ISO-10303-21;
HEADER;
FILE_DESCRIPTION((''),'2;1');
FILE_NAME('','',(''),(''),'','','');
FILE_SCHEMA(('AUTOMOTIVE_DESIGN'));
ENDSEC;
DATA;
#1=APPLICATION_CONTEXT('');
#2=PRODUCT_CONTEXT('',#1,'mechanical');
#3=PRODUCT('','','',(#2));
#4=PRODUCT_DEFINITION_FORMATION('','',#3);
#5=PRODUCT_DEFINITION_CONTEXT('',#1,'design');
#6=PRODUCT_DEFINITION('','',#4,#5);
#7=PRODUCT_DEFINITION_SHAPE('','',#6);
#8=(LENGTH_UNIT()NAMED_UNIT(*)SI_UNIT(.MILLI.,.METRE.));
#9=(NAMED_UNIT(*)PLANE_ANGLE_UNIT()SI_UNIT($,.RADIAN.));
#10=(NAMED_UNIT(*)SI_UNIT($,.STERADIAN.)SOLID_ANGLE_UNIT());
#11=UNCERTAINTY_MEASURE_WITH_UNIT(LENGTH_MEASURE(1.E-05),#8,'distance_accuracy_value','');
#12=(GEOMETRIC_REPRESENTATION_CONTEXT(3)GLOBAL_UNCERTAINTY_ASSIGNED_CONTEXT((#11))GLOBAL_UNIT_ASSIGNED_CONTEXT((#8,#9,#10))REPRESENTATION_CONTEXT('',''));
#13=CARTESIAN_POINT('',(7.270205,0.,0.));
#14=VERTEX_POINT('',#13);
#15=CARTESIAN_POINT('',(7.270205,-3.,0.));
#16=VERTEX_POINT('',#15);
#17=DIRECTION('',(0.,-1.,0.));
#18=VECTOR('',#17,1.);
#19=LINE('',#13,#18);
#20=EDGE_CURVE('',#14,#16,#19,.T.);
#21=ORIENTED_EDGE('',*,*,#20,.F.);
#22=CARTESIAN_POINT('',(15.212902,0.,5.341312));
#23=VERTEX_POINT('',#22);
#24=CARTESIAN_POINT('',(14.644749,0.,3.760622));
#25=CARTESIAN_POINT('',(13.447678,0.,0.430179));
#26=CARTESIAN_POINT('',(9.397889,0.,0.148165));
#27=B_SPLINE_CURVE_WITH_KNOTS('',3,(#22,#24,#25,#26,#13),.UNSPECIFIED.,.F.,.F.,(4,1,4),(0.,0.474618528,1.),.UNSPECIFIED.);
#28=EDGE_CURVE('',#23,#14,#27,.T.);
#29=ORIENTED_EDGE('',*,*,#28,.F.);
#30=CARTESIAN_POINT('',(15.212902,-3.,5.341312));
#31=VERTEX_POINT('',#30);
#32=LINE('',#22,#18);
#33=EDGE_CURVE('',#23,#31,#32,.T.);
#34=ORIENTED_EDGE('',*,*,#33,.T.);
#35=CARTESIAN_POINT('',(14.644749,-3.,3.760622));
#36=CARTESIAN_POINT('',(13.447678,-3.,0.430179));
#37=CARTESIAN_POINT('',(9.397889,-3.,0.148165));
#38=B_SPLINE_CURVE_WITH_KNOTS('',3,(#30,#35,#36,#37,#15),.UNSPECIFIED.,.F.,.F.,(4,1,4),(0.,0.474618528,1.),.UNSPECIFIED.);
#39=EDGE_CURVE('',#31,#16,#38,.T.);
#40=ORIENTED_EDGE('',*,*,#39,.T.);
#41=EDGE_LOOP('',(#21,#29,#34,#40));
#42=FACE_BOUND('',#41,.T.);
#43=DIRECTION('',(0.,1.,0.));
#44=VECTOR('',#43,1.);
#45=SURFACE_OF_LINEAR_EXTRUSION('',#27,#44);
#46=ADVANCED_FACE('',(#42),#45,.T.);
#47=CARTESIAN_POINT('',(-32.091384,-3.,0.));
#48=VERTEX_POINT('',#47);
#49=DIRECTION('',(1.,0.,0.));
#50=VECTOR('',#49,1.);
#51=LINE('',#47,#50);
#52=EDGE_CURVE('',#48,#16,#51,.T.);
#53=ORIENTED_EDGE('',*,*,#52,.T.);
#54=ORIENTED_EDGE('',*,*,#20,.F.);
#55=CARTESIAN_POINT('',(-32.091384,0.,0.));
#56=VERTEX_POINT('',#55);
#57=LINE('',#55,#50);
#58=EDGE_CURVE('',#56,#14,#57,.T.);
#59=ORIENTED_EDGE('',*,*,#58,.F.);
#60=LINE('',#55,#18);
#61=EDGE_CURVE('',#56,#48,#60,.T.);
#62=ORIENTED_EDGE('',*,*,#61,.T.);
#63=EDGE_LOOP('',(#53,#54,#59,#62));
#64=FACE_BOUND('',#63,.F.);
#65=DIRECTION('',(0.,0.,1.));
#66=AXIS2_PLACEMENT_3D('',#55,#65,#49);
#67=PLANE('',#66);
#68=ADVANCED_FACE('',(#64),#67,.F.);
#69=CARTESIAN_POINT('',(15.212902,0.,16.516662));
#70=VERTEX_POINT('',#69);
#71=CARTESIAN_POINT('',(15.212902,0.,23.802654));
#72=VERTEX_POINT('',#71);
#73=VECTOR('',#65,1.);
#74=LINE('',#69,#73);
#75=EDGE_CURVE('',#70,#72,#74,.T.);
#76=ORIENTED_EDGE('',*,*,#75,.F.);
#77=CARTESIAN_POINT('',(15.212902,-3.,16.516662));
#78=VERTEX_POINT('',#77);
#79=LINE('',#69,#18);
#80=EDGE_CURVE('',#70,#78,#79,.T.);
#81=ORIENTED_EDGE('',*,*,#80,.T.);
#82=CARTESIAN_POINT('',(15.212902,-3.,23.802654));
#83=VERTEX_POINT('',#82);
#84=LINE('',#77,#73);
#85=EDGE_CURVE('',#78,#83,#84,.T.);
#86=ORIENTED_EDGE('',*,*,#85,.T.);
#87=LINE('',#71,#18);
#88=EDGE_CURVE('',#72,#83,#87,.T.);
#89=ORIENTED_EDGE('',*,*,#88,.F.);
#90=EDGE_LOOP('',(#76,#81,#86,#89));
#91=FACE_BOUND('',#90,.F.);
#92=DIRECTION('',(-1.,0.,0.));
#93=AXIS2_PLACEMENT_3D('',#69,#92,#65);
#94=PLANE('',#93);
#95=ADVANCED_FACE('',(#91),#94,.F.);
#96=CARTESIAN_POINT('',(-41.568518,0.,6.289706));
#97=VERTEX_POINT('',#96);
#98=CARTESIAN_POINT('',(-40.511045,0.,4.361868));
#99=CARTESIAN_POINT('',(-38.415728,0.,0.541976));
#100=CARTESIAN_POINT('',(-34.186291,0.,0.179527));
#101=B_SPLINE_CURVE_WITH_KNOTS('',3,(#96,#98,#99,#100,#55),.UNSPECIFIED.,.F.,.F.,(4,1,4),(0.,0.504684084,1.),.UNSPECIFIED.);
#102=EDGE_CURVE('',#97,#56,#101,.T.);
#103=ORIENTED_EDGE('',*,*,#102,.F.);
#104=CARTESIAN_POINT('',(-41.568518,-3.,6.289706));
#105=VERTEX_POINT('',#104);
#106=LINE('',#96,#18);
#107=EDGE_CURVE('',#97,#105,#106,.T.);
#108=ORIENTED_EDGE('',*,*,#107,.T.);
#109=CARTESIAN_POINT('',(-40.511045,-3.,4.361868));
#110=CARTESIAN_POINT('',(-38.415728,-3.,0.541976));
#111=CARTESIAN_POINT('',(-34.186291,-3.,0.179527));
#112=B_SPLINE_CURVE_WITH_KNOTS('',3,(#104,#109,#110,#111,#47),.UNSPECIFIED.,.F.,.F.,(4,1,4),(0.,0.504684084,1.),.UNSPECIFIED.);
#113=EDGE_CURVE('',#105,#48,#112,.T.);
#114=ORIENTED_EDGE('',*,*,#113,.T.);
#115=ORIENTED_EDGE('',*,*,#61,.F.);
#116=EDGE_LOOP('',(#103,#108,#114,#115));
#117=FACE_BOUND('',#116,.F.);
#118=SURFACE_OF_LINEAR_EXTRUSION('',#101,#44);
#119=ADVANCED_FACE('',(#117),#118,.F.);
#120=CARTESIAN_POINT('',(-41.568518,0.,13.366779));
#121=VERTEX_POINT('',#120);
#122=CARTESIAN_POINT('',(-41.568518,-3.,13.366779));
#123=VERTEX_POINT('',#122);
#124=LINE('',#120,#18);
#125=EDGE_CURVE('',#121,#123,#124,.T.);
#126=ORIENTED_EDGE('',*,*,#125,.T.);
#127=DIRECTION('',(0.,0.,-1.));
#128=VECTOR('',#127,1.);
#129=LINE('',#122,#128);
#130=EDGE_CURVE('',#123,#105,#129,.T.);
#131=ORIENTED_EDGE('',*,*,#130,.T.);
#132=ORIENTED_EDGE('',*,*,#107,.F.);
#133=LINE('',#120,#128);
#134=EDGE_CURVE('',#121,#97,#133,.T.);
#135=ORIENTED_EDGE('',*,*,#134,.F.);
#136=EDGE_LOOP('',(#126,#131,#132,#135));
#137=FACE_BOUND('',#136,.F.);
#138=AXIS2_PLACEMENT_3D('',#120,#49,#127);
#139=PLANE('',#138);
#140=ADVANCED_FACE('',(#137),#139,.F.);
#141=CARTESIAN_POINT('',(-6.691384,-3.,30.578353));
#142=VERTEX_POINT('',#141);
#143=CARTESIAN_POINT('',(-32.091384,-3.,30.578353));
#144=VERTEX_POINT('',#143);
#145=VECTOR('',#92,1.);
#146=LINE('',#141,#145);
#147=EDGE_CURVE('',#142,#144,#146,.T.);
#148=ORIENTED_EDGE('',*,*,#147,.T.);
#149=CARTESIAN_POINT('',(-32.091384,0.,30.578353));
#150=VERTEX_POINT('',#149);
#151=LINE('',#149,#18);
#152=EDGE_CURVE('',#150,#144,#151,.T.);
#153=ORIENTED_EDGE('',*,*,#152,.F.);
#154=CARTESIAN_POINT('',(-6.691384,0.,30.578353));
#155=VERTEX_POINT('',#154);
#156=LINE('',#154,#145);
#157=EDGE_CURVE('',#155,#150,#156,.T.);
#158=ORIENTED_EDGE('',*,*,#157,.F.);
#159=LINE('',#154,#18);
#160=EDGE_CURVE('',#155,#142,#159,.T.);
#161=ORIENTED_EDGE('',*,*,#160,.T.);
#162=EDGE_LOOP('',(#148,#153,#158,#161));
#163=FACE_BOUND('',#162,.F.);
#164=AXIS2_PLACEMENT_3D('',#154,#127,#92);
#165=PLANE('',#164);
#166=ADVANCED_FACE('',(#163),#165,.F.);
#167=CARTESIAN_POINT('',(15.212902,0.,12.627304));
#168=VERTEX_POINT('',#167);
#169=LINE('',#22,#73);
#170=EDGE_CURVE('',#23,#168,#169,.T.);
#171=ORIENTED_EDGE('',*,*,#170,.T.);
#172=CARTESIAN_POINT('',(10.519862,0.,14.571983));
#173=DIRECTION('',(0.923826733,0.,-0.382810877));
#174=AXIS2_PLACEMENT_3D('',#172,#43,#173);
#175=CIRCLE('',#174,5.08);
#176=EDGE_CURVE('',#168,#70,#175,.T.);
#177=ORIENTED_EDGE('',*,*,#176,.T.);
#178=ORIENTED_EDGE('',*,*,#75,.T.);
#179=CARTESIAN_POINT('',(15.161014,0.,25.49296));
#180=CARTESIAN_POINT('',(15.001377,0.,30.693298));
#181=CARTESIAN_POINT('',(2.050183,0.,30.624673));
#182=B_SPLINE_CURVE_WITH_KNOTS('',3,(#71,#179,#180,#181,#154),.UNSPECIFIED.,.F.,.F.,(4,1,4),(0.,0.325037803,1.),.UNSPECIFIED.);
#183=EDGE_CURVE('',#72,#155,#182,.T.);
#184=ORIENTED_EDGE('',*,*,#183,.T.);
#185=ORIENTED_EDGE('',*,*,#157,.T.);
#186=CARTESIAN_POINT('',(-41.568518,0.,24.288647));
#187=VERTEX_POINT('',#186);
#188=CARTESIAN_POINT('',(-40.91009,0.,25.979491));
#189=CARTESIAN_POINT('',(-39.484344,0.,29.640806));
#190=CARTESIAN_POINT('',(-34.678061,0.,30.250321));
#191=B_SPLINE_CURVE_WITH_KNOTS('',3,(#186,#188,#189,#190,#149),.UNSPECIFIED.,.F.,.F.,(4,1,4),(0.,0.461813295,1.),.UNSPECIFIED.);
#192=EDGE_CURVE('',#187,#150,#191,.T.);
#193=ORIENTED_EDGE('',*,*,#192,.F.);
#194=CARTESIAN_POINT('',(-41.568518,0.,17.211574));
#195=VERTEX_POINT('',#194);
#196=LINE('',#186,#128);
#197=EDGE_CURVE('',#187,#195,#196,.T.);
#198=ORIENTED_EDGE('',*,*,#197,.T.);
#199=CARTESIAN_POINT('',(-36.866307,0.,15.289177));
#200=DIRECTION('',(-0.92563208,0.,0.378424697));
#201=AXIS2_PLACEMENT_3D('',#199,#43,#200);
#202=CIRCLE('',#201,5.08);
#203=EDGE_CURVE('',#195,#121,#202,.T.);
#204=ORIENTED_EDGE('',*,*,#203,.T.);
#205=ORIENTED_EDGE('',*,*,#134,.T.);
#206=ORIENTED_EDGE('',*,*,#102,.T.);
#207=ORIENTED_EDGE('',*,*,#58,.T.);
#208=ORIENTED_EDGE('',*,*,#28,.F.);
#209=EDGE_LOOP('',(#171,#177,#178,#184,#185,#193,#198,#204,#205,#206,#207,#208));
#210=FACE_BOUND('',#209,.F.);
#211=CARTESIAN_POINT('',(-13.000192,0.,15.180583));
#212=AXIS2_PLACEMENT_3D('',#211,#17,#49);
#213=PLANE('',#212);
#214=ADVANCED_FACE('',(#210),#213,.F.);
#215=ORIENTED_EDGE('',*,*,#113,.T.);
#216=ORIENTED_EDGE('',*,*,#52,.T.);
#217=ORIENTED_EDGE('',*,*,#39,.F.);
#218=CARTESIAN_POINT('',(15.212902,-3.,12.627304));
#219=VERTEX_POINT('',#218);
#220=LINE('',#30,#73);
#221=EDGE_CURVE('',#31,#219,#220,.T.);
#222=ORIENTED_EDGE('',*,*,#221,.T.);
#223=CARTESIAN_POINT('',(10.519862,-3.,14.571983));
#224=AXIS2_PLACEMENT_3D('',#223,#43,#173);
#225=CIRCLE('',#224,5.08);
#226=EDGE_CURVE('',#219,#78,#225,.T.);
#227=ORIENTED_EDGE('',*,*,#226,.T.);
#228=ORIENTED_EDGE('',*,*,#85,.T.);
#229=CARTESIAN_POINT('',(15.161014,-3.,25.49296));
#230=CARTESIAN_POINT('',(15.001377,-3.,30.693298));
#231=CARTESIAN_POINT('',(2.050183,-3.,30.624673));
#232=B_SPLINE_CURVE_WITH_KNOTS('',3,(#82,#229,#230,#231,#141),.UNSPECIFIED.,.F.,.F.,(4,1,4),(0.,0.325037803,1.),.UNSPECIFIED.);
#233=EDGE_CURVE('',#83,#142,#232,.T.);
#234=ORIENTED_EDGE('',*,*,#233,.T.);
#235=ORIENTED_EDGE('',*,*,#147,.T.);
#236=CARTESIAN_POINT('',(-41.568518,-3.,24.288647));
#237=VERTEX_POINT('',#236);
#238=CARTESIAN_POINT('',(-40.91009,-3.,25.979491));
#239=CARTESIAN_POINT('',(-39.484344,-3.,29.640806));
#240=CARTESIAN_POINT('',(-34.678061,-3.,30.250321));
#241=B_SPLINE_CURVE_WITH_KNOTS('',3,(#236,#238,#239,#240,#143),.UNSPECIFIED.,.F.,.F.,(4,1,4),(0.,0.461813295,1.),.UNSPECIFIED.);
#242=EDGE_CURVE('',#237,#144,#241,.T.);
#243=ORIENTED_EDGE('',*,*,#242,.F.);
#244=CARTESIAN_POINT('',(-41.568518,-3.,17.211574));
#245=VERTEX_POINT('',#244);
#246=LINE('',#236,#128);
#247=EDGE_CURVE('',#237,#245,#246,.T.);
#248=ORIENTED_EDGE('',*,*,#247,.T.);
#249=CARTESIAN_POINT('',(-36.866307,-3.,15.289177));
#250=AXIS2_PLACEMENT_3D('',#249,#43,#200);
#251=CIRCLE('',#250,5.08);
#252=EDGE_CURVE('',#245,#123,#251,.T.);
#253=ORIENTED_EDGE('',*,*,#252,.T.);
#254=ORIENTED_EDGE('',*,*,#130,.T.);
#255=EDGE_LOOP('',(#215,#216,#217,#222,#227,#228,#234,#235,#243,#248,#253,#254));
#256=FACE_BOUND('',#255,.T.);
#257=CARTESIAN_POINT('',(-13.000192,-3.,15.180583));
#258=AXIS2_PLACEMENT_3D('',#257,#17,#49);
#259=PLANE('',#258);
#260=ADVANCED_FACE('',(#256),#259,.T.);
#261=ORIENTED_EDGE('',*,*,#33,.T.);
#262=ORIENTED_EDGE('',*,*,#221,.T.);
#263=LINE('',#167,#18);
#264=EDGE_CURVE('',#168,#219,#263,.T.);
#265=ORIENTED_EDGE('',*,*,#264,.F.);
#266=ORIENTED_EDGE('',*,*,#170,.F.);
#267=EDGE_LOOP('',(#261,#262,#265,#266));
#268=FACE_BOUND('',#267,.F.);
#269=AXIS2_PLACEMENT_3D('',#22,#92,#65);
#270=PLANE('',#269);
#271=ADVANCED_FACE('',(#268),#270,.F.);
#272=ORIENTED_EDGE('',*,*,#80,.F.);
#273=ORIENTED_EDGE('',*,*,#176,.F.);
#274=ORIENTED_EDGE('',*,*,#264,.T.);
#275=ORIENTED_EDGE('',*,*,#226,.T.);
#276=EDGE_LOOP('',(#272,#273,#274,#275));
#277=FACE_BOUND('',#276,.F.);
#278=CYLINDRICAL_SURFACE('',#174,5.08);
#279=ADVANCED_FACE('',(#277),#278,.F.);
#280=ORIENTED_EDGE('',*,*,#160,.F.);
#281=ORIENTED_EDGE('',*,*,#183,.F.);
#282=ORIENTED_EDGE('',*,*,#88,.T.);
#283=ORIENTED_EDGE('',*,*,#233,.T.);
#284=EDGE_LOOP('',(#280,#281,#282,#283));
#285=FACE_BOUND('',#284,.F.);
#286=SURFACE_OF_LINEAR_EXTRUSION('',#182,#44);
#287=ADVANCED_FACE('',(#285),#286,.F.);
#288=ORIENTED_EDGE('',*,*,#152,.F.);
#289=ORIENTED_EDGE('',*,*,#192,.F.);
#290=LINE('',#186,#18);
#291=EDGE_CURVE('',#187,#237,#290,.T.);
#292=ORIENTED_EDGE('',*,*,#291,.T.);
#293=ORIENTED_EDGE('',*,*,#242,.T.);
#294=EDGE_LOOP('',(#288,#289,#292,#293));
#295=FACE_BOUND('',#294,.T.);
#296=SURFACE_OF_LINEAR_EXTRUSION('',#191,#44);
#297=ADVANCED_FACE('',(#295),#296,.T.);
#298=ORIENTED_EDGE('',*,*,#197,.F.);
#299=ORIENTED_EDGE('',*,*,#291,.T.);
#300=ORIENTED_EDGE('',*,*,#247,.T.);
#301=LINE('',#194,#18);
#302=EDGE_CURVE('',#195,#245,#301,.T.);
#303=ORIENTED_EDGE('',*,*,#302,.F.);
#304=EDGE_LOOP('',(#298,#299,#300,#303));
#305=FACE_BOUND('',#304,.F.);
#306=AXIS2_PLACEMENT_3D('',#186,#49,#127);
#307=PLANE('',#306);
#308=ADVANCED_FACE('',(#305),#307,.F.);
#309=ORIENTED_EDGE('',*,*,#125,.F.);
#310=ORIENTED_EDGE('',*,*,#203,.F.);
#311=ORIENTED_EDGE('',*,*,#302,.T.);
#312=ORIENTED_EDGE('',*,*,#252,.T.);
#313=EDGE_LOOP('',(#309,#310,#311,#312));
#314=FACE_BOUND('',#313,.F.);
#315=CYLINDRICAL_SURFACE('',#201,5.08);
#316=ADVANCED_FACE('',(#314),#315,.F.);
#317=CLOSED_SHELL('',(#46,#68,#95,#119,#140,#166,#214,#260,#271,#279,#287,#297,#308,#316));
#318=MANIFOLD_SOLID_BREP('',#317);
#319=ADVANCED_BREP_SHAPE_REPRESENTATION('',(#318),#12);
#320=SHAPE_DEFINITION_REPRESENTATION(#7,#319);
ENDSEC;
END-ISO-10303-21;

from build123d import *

# Parameters (mm, degrees)
F1_DEPTH = 3


with BuildPart() as f1:
    # F0 (on Front) → F1 (new body)
    with BuildSketch(Plane.XZ):
        with BuildLine():
            ThreePointArc((-41.5685183068, 17.2115741473), (-31.7863073381, 15.2891766842), (-41.5685183068, 13.3667792212))
            Line((-41.5685183068, 13.3667792212), (-41.5685183068, 6.2897060804))
            add(Edge.make_bspline(
                [(-41.5685183068, 6.2897060804), (-40.5110451617, 4.3618677361), (-38.4157281513, 0.5419764273), (-34.1862913757, 0.1795269801), (-32.091384023, 0)],
                knots=[0, 0, 0, 0, 0.5046840835, 1, 1, 1, 1], degree=3))
            Line((-32.091384023, 0), (7.2702049994, 0))
            add(Edge.make_bspline(
                [(15.2129016184, 5.3413121865), (14.6447493994, 3.7606222596), (13.4476780972, 0.4301793154), (9.3978891034, 0.1481650631), (7.2702049994, 0)],
                knots=[0, 0, 0, 0, 0.4746185277, 1, 1, 1, 1], degree=3))
            Line((15.2129016184, 5.3413121865), (15.2129016184, 12.6273036262))
            ThreePointArc((15.2129016184, 12.6273036262), (5.4398618144, 14.5719828795), (15.2129016184, 16.5166621327))
            Line((15.2129016184, 16.5166621327), (15.2129016184, 23.8026535724))
            add(Edge.make_bspline(
                [(15.2129016184, 23.8026535724), (15.1610136829, 25.4929601247), (15.0013770651, 30.6932984806), (2.0501826306, 30.6246729843), (-6.691384023, 30.5783533685)],
                knots=[0, 0, 0, 0, 0.3250378027, 1, 1, 1, 1], degree=3))
            Line((-6.691384023, 30.5783533685), (-32.091384023, 30.5783533685))
            add(Edge.make_bspline(
                [(-41.5685183068, 24.288647288), (-40.9100897642, 25.9794911706), (-39.4843435822, 29.6408060352), (-34.6780612652, 30.2503206867), (-32.091384023, 30.5783533685)],
                knots=[0, 0, 0, 0, 0.4618132953, 1, 1, 1, 1], degree=3))
            Line((-41.5685183068, 24.288647288), (-41.5685183068, 17.2115741473))
        make_face()
    extrude(amount=F1_DEPTH)


solid = f1.part
